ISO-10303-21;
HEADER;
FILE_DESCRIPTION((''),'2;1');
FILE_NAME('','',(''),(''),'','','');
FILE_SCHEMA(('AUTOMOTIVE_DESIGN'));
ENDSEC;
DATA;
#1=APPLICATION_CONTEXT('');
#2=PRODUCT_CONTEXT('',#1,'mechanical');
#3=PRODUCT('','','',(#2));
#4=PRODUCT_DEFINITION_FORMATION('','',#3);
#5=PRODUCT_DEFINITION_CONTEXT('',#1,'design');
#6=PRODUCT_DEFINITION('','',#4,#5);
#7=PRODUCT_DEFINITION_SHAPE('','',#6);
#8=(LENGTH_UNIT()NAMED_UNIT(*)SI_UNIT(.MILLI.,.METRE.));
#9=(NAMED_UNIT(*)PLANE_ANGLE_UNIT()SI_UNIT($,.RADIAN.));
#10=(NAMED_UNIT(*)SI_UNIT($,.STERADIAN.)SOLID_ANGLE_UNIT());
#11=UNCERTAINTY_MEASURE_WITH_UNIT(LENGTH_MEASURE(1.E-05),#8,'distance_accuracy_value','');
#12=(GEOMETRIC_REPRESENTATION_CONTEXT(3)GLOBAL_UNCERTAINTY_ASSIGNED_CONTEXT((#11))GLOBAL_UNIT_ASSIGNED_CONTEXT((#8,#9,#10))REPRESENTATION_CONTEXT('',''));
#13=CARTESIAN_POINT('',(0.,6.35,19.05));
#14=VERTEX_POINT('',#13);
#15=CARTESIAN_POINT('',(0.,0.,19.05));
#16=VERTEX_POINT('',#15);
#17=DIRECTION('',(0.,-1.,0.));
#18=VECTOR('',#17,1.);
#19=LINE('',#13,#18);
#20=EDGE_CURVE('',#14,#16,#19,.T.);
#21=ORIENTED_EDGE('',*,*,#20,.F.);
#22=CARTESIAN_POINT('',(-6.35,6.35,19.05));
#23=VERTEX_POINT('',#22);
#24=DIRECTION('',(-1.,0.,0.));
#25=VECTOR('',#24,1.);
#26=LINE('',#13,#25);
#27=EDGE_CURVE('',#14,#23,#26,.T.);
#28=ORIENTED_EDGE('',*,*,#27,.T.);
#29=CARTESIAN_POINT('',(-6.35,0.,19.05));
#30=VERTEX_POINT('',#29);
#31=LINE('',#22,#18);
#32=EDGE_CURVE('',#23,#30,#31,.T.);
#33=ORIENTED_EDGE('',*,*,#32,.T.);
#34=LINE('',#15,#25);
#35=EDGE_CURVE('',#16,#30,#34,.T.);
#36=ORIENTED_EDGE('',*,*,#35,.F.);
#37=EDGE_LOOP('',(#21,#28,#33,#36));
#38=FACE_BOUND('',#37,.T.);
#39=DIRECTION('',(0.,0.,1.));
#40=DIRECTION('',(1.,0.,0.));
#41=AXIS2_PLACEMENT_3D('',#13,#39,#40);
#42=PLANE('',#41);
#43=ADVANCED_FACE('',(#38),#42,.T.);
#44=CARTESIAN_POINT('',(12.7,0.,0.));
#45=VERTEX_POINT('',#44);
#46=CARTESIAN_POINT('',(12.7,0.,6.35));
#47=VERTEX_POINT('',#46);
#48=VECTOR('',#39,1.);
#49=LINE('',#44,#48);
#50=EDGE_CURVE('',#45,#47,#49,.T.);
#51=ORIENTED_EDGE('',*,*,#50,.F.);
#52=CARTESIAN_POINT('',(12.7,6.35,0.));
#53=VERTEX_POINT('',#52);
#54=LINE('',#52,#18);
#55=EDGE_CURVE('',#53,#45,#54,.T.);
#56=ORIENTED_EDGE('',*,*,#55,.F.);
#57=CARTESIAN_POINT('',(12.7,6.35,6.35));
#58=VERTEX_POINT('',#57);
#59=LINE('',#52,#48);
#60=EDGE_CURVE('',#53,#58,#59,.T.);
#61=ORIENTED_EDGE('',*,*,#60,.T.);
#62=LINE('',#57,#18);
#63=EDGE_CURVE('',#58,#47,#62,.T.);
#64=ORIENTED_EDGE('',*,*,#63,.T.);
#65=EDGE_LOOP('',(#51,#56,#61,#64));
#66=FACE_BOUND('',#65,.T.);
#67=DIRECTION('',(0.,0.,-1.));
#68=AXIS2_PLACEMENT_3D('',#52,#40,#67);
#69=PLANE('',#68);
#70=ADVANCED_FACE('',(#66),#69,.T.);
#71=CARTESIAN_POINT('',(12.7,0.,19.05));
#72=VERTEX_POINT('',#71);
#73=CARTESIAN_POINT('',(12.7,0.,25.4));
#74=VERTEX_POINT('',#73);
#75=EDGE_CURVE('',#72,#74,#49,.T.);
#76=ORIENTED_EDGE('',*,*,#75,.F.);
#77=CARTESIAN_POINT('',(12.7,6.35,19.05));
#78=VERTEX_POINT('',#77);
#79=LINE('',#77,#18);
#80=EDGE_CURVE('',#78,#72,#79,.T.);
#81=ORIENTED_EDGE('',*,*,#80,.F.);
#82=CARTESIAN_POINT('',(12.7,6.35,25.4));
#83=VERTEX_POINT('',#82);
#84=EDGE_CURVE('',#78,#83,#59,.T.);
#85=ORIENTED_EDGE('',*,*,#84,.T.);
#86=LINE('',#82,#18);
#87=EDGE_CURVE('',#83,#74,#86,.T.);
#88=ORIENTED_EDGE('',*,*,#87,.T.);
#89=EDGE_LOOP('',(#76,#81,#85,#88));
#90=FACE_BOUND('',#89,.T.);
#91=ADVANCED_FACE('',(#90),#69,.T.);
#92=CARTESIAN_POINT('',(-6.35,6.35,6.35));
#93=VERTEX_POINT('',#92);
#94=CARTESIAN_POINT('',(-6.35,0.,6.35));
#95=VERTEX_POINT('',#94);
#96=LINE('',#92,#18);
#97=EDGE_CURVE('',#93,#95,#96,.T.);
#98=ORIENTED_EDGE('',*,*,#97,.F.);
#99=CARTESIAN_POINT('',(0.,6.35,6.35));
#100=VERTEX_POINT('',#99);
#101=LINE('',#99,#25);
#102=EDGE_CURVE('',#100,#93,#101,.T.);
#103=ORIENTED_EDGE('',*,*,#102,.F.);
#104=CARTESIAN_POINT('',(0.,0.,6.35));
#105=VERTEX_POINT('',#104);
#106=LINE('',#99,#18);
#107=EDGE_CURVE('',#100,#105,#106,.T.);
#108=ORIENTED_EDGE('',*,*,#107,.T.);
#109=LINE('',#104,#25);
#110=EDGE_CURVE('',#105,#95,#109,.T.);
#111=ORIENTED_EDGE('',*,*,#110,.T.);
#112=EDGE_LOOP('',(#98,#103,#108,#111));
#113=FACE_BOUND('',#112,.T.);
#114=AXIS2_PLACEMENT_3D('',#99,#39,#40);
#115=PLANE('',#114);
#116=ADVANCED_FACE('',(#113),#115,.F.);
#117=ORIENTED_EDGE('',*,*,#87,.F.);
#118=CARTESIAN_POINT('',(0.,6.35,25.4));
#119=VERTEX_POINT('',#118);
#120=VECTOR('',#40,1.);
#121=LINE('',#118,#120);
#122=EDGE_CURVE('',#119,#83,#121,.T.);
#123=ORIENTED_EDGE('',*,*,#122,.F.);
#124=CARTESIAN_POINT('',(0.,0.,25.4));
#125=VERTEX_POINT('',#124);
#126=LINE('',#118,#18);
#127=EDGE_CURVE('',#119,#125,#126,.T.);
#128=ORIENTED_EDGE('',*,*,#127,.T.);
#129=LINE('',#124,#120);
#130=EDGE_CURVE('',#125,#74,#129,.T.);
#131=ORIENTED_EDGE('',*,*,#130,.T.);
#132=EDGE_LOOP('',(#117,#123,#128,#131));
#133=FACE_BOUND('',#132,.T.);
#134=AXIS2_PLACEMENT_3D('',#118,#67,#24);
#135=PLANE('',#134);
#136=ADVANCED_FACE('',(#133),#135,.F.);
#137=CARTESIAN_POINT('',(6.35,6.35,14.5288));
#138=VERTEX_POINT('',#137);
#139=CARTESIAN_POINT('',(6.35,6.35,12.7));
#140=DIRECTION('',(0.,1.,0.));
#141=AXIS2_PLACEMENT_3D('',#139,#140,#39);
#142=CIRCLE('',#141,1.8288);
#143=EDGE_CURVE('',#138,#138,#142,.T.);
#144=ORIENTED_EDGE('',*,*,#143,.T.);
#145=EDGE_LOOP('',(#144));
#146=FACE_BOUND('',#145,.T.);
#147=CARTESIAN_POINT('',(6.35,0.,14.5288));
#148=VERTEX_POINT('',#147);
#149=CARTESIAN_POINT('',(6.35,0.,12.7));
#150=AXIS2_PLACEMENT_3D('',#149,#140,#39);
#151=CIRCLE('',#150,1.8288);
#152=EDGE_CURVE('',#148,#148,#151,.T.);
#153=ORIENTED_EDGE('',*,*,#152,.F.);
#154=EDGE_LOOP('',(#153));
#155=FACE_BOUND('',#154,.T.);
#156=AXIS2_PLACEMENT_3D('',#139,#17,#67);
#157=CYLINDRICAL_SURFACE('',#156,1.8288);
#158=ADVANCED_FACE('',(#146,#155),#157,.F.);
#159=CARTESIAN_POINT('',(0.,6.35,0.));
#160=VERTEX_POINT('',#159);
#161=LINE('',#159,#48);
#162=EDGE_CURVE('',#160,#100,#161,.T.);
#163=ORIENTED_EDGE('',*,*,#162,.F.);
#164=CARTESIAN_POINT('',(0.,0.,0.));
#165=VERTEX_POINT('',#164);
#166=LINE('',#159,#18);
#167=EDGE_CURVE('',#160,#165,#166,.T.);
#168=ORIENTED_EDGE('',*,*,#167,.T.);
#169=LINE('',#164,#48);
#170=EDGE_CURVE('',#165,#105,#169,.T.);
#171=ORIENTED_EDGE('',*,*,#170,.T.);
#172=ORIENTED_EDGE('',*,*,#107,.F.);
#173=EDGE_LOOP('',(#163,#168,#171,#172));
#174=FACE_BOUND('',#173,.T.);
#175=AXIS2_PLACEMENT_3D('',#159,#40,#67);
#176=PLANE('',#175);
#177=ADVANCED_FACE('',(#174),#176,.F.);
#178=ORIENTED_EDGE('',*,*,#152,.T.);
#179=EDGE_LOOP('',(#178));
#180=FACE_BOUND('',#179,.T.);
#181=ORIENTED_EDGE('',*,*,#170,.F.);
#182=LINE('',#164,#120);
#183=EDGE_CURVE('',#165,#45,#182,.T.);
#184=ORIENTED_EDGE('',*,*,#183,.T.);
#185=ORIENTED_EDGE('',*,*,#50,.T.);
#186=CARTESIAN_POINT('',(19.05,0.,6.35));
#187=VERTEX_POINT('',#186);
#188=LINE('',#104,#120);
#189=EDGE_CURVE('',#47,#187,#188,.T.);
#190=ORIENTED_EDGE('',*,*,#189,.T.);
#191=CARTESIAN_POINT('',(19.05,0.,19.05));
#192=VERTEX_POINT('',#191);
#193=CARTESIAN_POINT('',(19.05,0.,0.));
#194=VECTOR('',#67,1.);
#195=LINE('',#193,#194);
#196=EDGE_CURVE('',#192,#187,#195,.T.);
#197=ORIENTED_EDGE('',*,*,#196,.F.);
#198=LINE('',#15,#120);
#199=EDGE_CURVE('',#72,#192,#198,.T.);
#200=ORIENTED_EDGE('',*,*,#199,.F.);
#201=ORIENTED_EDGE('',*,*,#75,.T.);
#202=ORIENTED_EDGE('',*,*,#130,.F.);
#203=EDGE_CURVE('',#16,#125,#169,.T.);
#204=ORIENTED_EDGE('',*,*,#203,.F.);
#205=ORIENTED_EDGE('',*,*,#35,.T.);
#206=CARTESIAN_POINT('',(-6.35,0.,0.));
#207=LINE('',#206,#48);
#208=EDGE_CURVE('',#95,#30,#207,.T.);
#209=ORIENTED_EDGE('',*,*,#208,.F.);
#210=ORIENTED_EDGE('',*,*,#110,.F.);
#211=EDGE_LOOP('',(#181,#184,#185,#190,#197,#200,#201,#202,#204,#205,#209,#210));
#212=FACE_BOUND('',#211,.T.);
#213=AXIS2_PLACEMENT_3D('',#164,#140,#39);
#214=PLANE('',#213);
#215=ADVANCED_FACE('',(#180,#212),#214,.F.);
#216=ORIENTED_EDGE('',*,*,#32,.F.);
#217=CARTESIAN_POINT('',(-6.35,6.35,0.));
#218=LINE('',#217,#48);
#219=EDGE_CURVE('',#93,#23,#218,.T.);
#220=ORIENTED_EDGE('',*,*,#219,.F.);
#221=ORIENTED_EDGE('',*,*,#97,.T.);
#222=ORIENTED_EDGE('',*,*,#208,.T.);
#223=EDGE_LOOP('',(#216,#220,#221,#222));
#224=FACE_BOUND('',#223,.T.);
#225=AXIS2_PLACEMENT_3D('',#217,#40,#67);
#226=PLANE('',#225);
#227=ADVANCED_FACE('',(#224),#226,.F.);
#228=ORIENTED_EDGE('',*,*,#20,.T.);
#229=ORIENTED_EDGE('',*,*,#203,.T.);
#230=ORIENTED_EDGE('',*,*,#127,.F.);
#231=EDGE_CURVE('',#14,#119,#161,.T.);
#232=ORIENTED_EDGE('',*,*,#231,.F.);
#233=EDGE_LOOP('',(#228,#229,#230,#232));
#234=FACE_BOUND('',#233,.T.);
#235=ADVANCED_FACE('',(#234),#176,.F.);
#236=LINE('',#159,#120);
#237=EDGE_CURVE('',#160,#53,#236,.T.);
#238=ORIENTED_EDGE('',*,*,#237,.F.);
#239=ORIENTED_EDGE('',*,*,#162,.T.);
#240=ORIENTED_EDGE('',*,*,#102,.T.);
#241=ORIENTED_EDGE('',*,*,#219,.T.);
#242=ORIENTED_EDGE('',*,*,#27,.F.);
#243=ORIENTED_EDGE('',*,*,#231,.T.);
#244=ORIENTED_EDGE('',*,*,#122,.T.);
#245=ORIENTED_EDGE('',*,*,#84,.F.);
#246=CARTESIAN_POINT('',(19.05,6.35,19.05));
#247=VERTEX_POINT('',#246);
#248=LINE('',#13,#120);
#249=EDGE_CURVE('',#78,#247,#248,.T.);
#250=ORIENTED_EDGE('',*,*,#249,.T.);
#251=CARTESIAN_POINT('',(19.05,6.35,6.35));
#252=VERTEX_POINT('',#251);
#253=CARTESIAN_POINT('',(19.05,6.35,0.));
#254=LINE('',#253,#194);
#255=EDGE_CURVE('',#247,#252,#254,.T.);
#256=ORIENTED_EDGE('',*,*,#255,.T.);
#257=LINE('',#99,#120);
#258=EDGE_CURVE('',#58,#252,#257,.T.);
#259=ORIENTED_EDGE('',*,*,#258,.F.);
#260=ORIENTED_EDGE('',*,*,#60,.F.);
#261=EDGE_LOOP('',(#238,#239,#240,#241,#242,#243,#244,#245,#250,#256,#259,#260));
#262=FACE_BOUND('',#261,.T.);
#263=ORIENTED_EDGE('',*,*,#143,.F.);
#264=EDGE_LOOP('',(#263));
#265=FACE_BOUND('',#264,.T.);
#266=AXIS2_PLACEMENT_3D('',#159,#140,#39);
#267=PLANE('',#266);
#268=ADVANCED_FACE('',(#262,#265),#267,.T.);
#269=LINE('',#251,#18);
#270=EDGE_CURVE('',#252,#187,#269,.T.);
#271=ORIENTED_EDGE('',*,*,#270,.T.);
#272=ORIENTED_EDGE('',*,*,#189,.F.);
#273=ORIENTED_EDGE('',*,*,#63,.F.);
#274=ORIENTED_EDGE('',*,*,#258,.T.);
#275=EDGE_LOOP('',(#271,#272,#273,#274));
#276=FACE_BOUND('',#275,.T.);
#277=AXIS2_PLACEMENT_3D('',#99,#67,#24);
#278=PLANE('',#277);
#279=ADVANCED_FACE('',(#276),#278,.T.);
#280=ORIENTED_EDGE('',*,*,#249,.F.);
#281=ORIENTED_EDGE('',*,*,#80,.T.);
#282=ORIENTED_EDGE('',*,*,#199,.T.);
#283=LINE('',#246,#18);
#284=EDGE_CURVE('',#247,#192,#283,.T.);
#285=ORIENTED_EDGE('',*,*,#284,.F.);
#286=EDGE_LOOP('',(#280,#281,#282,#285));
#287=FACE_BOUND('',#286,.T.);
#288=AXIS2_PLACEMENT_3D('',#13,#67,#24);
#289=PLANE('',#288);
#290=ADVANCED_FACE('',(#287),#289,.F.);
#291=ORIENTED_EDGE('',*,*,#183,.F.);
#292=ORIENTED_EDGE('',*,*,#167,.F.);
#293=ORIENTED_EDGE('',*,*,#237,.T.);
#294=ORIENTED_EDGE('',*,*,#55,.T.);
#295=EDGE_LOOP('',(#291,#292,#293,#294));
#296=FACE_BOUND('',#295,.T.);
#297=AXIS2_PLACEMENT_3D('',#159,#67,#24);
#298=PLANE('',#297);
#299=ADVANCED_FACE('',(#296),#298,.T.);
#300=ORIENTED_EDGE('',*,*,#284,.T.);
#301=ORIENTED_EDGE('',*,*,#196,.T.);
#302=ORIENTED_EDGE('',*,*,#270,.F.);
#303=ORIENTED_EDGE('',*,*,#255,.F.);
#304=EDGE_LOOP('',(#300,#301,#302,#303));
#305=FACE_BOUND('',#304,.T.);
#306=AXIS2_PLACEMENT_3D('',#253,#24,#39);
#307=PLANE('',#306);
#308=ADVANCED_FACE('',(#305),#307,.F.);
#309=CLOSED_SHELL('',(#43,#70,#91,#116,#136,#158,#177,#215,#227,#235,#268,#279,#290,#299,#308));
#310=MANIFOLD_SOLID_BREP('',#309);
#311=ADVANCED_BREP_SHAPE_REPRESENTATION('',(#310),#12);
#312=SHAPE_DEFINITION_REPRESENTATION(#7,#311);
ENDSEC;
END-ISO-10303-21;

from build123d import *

# Parameters (mm, degrees)
SKETCH1_W           = 12.7
SKETCH1_H           = 25.4
SKETCH1_R           = 1.8288
SKETCH1_W_2         = 6.35
SKETCH1_H_2         = 12.7
BOSS_EXTRUDE1_DEPTH = 6.35


with BuildPart() as part:
    # Sketch1 → Boss-Extrude1 (new body)
    # profile 1 of 3: a face of its own
    with BuildSketch(Plane(origin=(0, 0, 0), x_dir=(1, 0, 0), z_dir=(0, 1, 0))):
        with Locations((6.35, -12.7)):
            Rectangle(SKETCH1_W, SKETCH1_H)
        with Locations(Location((6.35, -12.7, 0), (0, 0, 270))):
            Circle(SKETCH1_R, mode=Mode.SUBTRACT)
    # profile 2 of 3: a face of its own
    with BuildSketch(Plane(origin=(0, 0, 0), x_dir=(1, 0, 0), z_dir=(0, 1, 0))):
        with Locations((15.875, -12.7)):
            Rectangle(SKETCH1_W_2, SKETCH1_H_2)
    # profile 3 of 3: a face of its own
    with BuildSketch(Plane(origin=(0, 0, 0), x_dir=(1, 0, 0), z_dir=(0, 1, 0))):
        with Locations((-3.175, -12.7)):
            Rectangle(SKETCH1_W_2, SKETCH1_H_2)
    extrude(amount=BOSS_EXTRUDE1_DEPTH)


solid = part.part
